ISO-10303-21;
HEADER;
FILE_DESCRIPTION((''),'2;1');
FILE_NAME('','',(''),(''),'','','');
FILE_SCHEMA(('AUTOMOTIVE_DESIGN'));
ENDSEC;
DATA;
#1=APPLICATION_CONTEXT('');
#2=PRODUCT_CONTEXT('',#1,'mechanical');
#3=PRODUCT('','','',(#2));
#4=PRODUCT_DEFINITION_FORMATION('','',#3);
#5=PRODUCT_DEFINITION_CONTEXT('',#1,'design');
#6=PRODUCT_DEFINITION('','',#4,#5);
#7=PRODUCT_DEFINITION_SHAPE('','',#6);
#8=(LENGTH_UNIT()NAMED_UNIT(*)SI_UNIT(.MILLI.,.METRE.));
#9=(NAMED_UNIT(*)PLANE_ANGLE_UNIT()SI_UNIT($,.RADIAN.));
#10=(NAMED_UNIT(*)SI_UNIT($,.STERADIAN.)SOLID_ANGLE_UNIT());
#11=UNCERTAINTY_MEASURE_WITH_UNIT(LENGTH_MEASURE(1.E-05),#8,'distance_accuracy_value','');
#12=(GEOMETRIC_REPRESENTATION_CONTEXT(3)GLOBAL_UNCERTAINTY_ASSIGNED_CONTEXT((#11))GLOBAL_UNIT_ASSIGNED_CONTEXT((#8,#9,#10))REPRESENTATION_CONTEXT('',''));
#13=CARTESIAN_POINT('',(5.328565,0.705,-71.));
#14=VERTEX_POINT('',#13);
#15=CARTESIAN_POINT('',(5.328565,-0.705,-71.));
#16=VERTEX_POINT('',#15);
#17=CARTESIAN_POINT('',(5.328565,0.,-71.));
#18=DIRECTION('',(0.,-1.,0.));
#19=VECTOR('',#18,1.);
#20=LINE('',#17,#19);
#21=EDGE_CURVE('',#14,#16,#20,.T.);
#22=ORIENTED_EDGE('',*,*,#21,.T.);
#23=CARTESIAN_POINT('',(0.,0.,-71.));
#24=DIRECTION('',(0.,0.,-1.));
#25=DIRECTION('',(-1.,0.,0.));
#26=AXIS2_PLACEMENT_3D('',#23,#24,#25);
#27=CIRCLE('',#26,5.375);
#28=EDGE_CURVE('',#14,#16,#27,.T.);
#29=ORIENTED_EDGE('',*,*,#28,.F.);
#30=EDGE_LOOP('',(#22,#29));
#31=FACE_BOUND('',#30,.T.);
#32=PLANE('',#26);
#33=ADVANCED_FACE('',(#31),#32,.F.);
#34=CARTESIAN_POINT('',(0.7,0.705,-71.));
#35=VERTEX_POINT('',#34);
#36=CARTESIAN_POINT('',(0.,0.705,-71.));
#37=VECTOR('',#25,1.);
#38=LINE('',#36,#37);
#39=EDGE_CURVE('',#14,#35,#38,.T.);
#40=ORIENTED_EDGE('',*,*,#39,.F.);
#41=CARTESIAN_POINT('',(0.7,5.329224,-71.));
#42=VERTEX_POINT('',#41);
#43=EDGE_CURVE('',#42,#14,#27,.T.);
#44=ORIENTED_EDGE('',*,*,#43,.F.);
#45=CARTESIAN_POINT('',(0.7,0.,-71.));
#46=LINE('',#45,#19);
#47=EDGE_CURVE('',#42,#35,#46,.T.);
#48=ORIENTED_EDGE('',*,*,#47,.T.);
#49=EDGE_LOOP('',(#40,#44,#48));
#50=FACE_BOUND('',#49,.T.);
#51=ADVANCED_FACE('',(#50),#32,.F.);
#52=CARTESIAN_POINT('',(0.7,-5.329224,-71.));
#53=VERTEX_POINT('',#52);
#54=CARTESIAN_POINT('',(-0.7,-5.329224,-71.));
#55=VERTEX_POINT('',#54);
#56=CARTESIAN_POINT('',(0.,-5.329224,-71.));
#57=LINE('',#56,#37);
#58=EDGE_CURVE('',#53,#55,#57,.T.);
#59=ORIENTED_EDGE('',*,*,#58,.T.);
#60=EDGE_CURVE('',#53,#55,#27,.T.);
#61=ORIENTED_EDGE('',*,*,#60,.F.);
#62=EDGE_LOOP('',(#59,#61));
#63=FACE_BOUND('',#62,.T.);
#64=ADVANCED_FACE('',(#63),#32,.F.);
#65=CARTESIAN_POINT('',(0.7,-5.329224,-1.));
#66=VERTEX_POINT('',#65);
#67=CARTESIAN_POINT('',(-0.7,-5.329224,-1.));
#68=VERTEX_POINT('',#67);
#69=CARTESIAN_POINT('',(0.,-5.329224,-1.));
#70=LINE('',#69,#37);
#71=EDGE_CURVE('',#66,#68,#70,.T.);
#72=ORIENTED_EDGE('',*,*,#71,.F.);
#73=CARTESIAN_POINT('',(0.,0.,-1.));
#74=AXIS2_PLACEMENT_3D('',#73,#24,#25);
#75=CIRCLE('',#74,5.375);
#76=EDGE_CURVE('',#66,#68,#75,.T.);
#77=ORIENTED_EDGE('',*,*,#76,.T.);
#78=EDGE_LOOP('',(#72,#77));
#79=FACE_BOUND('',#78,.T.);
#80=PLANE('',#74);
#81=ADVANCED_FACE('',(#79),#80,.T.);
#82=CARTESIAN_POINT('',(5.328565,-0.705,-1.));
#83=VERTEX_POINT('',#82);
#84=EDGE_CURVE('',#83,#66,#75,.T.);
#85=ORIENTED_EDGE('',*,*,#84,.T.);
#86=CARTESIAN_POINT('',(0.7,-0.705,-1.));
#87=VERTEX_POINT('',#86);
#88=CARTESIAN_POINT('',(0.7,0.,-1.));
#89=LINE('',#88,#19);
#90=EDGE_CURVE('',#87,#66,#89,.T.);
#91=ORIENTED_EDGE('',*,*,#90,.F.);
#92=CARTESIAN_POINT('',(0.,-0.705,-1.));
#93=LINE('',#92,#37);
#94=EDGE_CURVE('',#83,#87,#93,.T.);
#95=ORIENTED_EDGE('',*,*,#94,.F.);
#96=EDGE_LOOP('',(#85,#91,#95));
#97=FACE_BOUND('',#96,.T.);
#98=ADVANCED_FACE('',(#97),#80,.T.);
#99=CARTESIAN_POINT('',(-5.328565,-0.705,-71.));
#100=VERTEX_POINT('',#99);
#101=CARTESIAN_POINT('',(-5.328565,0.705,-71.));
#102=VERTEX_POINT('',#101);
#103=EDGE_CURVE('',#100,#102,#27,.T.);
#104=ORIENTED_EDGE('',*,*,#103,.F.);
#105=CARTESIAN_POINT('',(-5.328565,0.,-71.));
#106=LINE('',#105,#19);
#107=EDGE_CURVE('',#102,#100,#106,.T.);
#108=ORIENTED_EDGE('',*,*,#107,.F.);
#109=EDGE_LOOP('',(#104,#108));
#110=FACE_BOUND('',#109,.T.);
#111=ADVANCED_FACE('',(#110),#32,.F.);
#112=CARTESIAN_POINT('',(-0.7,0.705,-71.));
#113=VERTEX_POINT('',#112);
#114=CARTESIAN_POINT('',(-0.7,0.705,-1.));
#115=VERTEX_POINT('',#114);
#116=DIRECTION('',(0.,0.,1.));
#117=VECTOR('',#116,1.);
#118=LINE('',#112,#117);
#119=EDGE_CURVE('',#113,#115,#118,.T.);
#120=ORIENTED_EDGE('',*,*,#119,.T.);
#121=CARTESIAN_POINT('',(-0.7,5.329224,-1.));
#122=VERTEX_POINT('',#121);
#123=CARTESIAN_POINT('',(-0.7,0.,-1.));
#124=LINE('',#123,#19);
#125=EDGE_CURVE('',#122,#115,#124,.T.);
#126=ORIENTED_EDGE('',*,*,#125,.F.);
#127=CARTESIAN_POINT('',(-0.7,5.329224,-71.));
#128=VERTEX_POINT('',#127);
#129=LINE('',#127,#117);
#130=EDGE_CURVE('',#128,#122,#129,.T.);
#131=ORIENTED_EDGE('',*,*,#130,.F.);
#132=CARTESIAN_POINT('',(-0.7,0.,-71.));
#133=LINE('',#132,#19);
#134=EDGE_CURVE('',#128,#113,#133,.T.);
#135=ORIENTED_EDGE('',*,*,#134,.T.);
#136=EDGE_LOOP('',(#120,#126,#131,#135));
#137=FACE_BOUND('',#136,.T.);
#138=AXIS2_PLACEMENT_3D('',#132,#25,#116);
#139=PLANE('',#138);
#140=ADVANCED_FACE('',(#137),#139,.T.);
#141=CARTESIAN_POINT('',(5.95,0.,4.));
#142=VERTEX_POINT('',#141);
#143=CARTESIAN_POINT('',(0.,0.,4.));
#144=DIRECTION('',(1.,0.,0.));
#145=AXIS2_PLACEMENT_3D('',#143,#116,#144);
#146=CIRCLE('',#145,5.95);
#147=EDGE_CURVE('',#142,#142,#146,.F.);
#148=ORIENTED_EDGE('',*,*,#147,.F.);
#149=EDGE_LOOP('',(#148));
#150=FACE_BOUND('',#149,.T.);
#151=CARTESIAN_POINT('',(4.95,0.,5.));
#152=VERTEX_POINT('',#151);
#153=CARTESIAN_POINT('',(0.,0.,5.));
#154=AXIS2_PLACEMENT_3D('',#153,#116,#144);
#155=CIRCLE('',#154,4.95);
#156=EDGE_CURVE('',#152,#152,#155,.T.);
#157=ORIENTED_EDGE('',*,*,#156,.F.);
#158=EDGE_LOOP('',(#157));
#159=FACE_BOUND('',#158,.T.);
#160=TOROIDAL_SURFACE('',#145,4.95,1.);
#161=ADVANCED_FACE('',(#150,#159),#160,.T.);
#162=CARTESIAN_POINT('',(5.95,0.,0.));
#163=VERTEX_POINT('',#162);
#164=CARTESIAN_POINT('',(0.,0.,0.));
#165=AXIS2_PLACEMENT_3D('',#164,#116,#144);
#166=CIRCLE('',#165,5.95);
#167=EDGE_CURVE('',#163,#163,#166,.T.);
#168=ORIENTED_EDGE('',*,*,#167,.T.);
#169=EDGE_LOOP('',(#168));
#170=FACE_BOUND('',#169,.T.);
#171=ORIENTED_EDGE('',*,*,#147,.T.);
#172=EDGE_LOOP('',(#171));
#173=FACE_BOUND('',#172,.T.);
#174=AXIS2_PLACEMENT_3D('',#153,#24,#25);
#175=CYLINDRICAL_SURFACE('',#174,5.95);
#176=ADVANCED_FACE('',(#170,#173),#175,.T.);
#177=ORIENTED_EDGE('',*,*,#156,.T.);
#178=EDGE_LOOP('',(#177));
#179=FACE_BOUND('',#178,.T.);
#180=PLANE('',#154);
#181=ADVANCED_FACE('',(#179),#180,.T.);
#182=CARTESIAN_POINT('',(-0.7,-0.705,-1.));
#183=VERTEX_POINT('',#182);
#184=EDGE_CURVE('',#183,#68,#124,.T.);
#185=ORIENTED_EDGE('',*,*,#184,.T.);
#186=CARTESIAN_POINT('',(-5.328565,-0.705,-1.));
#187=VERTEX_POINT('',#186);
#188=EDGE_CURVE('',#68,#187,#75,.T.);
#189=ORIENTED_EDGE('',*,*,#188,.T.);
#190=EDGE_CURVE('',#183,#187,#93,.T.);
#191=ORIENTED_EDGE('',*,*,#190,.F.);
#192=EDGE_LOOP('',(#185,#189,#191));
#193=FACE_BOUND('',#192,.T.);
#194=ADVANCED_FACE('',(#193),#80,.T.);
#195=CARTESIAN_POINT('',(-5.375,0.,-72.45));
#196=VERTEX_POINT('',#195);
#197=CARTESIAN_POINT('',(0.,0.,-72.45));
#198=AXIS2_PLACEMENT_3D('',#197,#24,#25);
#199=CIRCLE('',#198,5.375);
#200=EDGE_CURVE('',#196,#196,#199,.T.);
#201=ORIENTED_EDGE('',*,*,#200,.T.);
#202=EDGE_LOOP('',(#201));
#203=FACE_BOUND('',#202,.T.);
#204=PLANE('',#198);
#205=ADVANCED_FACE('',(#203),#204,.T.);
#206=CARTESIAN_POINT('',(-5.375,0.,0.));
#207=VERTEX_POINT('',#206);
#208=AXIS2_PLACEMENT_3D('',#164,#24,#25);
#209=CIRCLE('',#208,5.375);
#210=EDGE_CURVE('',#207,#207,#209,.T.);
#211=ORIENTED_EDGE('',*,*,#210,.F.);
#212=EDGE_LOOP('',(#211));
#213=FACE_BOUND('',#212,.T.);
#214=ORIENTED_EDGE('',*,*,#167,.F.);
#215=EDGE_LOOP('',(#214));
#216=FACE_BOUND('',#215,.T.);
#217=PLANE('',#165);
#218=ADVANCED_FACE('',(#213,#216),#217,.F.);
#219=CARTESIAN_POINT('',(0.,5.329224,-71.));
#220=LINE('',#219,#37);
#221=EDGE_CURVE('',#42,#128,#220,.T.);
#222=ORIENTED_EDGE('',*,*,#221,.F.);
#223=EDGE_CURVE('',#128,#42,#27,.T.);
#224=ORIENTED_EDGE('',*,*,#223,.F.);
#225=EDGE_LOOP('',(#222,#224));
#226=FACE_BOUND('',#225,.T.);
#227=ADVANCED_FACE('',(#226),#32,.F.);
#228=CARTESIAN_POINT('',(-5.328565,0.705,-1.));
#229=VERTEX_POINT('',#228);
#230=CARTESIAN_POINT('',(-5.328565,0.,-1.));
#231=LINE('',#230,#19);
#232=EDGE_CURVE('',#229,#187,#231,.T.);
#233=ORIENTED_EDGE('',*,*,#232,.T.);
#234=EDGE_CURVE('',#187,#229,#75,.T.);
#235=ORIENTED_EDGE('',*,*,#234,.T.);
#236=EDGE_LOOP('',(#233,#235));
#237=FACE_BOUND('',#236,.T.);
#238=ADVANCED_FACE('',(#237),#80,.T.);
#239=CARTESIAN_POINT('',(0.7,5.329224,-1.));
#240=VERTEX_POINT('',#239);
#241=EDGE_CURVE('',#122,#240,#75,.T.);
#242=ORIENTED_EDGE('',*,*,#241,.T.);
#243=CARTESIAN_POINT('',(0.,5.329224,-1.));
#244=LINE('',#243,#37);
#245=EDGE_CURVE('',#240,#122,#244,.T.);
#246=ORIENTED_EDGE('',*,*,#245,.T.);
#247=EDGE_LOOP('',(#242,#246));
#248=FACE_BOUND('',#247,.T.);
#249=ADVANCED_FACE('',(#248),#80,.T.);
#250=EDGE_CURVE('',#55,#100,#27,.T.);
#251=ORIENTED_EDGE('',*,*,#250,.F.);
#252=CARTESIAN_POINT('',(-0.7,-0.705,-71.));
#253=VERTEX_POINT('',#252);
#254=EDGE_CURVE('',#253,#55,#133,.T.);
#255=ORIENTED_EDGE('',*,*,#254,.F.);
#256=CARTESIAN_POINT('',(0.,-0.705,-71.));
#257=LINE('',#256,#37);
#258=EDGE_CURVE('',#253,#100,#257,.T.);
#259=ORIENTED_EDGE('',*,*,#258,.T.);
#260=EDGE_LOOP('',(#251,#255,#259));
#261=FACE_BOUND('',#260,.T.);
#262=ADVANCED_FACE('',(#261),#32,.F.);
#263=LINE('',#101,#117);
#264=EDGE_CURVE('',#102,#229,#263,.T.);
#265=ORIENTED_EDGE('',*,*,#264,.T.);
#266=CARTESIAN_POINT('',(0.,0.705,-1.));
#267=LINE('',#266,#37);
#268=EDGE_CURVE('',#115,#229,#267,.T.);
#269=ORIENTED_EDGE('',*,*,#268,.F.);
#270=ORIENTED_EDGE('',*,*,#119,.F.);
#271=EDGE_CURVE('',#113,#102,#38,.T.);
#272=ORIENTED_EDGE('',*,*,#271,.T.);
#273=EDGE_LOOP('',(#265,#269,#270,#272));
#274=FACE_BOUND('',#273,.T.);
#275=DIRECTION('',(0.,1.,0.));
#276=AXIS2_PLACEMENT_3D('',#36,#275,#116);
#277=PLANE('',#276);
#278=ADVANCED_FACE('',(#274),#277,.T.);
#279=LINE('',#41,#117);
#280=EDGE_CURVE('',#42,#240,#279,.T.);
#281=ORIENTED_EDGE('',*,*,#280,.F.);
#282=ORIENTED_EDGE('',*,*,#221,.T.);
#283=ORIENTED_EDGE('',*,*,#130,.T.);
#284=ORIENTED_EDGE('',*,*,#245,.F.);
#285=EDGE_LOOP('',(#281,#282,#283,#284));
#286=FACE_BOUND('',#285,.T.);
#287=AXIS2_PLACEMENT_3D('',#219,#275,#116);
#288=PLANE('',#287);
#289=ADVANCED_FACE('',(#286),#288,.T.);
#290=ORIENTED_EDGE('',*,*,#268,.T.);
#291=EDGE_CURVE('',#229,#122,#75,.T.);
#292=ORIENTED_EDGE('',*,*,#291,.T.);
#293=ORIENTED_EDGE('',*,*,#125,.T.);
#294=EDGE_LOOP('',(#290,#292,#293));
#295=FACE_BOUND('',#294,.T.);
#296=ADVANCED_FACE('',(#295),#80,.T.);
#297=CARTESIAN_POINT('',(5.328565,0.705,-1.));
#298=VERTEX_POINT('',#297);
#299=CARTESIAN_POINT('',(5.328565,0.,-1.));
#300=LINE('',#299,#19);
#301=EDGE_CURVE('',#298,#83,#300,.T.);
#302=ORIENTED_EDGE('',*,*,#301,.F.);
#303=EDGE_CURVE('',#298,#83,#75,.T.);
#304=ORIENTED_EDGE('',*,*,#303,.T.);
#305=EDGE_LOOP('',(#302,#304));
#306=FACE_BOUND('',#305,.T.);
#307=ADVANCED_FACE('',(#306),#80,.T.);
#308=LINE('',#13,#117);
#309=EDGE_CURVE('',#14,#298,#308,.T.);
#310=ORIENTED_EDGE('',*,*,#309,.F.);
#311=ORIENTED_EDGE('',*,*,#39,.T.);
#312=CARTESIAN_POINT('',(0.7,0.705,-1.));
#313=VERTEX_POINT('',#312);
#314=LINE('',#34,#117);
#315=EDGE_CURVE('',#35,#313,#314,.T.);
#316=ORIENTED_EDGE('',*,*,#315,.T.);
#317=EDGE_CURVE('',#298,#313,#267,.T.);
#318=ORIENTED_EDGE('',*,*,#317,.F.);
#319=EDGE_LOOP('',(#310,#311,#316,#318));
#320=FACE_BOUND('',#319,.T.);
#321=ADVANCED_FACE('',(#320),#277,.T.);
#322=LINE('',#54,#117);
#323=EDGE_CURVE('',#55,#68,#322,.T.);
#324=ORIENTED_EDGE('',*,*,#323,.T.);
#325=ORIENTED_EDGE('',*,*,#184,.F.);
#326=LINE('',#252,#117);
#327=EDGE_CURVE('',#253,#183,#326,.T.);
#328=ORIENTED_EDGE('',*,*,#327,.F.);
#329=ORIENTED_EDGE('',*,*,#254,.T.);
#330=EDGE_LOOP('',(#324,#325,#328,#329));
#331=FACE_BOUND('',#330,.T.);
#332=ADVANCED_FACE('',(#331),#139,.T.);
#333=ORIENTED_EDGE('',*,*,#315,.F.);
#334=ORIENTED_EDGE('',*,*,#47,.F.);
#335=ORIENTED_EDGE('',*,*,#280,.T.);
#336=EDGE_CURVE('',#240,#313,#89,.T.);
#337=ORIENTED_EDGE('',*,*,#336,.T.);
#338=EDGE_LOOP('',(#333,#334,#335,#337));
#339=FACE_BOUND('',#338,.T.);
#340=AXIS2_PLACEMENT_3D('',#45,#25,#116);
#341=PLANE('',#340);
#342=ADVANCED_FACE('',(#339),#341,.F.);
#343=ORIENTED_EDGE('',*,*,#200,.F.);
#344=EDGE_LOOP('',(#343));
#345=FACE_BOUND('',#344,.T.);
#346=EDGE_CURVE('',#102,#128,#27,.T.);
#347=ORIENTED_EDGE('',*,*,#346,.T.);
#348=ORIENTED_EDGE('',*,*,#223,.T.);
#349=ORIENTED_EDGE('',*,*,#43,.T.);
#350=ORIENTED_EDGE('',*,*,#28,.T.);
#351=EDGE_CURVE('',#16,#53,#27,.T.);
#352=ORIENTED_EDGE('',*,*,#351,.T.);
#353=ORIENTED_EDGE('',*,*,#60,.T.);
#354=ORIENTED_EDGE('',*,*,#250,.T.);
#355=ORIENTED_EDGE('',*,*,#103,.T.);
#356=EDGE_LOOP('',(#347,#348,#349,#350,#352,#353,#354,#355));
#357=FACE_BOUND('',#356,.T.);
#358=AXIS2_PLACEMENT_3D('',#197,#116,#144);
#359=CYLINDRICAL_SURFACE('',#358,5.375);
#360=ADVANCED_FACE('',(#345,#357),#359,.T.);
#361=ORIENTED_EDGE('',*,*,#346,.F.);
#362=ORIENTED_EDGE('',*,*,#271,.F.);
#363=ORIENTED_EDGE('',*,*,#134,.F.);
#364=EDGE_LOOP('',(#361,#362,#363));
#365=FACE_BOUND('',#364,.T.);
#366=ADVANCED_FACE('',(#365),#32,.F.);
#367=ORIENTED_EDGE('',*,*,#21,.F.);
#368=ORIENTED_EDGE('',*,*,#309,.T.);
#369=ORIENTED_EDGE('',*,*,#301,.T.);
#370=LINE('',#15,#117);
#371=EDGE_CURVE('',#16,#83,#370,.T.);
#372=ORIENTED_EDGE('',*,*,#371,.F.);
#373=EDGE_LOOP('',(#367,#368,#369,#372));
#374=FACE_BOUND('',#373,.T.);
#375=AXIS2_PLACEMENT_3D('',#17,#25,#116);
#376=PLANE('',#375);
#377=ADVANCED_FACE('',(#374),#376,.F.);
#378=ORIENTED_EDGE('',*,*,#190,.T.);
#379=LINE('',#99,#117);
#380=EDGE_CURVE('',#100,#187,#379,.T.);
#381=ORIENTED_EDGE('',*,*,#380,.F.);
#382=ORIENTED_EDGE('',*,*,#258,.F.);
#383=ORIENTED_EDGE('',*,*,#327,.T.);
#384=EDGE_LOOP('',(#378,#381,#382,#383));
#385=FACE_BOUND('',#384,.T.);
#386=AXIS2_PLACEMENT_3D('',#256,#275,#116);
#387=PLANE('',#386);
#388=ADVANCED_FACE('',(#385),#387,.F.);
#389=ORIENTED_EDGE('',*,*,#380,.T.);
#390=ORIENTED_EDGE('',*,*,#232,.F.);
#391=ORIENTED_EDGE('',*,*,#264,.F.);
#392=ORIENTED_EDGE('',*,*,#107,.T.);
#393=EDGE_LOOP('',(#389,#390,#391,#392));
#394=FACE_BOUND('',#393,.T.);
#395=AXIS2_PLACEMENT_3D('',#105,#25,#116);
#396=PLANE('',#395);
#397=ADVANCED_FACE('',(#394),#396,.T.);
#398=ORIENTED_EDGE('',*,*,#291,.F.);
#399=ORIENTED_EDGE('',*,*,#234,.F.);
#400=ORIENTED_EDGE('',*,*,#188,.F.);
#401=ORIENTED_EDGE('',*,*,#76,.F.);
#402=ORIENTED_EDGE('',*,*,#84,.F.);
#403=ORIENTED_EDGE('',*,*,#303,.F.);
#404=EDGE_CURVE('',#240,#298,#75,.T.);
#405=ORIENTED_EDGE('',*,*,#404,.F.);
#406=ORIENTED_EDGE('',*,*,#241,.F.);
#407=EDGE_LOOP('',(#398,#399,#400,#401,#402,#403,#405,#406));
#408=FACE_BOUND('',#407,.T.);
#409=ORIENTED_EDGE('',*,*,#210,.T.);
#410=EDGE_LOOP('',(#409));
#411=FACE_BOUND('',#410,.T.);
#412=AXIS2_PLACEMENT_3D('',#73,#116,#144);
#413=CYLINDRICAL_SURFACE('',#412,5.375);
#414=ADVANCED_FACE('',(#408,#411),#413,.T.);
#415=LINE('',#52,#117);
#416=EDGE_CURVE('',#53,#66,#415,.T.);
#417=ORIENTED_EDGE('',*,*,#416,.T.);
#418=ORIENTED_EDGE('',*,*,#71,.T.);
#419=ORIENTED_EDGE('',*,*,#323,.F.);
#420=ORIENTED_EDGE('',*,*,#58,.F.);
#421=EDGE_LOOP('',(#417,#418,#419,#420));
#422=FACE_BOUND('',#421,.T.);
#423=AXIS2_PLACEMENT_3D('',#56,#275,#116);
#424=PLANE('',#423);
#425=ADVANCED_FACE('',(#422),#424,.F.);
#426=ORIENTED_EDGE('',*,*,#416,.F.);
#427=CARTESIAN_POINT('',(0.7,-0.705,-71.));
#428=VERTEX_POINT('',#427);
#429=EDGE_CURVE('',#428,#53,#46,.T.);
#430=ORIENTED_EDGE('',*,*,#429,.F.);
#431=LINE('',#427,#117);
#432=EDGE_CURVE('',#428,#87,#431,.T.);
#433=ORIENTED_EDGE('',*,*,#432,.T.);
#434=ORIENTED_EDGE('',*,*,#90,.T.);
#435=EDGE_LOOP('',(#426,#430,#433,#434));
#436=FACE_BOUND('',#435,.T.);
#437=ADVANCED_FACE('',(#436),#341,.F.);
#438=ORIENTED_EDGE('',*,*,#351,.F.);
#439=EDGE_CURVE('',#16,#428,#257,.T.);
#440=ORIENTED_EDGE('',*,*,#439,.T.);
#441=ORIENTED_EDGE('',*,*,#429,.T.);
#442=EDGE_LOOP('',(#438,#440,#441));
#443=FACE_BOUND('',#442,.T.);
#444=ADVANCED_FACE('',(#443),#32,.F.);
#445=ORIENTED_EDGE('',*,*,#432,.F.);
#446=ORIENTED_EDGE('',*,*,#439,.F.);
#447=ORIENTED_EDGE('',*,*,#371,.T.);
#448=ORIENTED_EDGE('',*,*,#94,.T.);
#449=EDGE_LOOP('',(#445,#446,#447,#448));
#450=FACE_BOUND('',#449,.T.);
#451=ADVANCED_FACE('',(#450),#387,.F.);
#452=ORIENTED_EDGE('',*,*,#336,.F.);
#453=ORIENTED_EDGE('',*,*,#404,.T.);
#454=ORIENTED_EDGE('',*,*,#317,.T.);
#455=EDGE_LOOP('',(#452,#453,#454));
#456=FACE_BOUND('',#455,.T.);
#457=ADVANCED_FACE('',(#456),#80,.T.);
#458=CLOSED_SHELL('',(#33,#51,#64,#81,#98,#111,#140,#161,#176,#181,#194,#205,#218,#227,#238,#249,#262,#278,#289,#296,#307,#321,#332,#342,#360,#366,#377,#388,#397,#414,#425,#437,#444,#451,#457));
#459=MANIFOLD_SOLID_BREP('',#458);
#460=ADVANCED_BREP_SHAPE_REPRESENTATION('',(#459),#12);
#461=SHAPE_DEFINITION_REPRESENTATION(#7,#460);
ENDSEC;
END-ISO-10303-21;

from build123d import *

# Parameters (mm, degrees)
CROQUIS1_R              = 5.95
SALIENTE_EXTRUIR1_DEPTH = 5
CROQUIS2_R              = 5.375
SALIENTE_EXTRUIR2_DEPTH = 1
CROQUIS4_W              = 1.4
CROQUIS4_H              = 4.624223677
CROQUIS4_H_2            = 1.41
CROQUIS4_W_2            = 4.628564535
SALIENTE_EXTRUIR3_DEPTH = 70
REDONDEO1_R             = 1
CROQUIS5_R              = 5.375
SALIENTE_EXTRUIR4_DEPTH = 1.45


with BuildPart() as part:
    # Croquis1 → Saliente-Extruir1 (new body)
    with BuildSketch(Plane.XY):
        Circle(CROQUIS1_R)
    extrude(amount=SALIENTE_EXTRUIR1_DEPTH)

    # Croquis2 → Saliente-Extruir2 (add)
    with BuildSketch(Plane(origin=(0, 0, 0), x_dir=(-1, 0, 0), z_dir=(0, 0, -1))):
        Circle(CROQUIS2_R)
    extrude(amount=SALIENTE_EXTRUIR2_DEPTH)

    # Croquis4 → Saliente-Extruir3 (add)
    with BuildSketch(Plane(origin=(0, 0, -1), x_dir=(-1, 0, 0), z_dir=(0, 0, -1))):
        with Locations((0, 3.017111839)):
            Rectangle(CROQUIS4_W, CROQUIS4_H)
        Rectangle(CROQUIS4_W, CROQUIS4_H_2)
        with Locations((0, -3.017111839)):
            Rectangle(CROQUIS4_W, CROQUIS4_H)
        with Locations((-3.014282268, 0)):
            Rectangle(CROQUIS4_W_2, CROQUIS4_H_2)
        with Locations((3.014282268, 0)):
            Rectangle(CROQUIS4_W_2, CROQUIS4_H_2)
    extrude(amount=SALIENTE_EXTRUIR3_DEPTH)

    # Redondeo1
    redondeo1_edges = [part.edges().sort_by_distance(p)[0] for p in [
        (-5.95, 0, 5),
    ]]
    fillet(redondeo1_edges, radius=REDONDEO1_R)

    # Croquis5 → Saliente-Extruir4 (add)
    with BuildSketch(Plane(origin=(0, 0, -71), x_dir=(-1, 0, 0), z_dir=(0, 0, -1))):
        with Locations(Location((0, 0, 0), (0, 0, 172.4632093))):
            Circle(CROQUIS5_R)
    extrude(amount=SALIENTE_EXTRUIR4_DEPTH)


solid = part.part
